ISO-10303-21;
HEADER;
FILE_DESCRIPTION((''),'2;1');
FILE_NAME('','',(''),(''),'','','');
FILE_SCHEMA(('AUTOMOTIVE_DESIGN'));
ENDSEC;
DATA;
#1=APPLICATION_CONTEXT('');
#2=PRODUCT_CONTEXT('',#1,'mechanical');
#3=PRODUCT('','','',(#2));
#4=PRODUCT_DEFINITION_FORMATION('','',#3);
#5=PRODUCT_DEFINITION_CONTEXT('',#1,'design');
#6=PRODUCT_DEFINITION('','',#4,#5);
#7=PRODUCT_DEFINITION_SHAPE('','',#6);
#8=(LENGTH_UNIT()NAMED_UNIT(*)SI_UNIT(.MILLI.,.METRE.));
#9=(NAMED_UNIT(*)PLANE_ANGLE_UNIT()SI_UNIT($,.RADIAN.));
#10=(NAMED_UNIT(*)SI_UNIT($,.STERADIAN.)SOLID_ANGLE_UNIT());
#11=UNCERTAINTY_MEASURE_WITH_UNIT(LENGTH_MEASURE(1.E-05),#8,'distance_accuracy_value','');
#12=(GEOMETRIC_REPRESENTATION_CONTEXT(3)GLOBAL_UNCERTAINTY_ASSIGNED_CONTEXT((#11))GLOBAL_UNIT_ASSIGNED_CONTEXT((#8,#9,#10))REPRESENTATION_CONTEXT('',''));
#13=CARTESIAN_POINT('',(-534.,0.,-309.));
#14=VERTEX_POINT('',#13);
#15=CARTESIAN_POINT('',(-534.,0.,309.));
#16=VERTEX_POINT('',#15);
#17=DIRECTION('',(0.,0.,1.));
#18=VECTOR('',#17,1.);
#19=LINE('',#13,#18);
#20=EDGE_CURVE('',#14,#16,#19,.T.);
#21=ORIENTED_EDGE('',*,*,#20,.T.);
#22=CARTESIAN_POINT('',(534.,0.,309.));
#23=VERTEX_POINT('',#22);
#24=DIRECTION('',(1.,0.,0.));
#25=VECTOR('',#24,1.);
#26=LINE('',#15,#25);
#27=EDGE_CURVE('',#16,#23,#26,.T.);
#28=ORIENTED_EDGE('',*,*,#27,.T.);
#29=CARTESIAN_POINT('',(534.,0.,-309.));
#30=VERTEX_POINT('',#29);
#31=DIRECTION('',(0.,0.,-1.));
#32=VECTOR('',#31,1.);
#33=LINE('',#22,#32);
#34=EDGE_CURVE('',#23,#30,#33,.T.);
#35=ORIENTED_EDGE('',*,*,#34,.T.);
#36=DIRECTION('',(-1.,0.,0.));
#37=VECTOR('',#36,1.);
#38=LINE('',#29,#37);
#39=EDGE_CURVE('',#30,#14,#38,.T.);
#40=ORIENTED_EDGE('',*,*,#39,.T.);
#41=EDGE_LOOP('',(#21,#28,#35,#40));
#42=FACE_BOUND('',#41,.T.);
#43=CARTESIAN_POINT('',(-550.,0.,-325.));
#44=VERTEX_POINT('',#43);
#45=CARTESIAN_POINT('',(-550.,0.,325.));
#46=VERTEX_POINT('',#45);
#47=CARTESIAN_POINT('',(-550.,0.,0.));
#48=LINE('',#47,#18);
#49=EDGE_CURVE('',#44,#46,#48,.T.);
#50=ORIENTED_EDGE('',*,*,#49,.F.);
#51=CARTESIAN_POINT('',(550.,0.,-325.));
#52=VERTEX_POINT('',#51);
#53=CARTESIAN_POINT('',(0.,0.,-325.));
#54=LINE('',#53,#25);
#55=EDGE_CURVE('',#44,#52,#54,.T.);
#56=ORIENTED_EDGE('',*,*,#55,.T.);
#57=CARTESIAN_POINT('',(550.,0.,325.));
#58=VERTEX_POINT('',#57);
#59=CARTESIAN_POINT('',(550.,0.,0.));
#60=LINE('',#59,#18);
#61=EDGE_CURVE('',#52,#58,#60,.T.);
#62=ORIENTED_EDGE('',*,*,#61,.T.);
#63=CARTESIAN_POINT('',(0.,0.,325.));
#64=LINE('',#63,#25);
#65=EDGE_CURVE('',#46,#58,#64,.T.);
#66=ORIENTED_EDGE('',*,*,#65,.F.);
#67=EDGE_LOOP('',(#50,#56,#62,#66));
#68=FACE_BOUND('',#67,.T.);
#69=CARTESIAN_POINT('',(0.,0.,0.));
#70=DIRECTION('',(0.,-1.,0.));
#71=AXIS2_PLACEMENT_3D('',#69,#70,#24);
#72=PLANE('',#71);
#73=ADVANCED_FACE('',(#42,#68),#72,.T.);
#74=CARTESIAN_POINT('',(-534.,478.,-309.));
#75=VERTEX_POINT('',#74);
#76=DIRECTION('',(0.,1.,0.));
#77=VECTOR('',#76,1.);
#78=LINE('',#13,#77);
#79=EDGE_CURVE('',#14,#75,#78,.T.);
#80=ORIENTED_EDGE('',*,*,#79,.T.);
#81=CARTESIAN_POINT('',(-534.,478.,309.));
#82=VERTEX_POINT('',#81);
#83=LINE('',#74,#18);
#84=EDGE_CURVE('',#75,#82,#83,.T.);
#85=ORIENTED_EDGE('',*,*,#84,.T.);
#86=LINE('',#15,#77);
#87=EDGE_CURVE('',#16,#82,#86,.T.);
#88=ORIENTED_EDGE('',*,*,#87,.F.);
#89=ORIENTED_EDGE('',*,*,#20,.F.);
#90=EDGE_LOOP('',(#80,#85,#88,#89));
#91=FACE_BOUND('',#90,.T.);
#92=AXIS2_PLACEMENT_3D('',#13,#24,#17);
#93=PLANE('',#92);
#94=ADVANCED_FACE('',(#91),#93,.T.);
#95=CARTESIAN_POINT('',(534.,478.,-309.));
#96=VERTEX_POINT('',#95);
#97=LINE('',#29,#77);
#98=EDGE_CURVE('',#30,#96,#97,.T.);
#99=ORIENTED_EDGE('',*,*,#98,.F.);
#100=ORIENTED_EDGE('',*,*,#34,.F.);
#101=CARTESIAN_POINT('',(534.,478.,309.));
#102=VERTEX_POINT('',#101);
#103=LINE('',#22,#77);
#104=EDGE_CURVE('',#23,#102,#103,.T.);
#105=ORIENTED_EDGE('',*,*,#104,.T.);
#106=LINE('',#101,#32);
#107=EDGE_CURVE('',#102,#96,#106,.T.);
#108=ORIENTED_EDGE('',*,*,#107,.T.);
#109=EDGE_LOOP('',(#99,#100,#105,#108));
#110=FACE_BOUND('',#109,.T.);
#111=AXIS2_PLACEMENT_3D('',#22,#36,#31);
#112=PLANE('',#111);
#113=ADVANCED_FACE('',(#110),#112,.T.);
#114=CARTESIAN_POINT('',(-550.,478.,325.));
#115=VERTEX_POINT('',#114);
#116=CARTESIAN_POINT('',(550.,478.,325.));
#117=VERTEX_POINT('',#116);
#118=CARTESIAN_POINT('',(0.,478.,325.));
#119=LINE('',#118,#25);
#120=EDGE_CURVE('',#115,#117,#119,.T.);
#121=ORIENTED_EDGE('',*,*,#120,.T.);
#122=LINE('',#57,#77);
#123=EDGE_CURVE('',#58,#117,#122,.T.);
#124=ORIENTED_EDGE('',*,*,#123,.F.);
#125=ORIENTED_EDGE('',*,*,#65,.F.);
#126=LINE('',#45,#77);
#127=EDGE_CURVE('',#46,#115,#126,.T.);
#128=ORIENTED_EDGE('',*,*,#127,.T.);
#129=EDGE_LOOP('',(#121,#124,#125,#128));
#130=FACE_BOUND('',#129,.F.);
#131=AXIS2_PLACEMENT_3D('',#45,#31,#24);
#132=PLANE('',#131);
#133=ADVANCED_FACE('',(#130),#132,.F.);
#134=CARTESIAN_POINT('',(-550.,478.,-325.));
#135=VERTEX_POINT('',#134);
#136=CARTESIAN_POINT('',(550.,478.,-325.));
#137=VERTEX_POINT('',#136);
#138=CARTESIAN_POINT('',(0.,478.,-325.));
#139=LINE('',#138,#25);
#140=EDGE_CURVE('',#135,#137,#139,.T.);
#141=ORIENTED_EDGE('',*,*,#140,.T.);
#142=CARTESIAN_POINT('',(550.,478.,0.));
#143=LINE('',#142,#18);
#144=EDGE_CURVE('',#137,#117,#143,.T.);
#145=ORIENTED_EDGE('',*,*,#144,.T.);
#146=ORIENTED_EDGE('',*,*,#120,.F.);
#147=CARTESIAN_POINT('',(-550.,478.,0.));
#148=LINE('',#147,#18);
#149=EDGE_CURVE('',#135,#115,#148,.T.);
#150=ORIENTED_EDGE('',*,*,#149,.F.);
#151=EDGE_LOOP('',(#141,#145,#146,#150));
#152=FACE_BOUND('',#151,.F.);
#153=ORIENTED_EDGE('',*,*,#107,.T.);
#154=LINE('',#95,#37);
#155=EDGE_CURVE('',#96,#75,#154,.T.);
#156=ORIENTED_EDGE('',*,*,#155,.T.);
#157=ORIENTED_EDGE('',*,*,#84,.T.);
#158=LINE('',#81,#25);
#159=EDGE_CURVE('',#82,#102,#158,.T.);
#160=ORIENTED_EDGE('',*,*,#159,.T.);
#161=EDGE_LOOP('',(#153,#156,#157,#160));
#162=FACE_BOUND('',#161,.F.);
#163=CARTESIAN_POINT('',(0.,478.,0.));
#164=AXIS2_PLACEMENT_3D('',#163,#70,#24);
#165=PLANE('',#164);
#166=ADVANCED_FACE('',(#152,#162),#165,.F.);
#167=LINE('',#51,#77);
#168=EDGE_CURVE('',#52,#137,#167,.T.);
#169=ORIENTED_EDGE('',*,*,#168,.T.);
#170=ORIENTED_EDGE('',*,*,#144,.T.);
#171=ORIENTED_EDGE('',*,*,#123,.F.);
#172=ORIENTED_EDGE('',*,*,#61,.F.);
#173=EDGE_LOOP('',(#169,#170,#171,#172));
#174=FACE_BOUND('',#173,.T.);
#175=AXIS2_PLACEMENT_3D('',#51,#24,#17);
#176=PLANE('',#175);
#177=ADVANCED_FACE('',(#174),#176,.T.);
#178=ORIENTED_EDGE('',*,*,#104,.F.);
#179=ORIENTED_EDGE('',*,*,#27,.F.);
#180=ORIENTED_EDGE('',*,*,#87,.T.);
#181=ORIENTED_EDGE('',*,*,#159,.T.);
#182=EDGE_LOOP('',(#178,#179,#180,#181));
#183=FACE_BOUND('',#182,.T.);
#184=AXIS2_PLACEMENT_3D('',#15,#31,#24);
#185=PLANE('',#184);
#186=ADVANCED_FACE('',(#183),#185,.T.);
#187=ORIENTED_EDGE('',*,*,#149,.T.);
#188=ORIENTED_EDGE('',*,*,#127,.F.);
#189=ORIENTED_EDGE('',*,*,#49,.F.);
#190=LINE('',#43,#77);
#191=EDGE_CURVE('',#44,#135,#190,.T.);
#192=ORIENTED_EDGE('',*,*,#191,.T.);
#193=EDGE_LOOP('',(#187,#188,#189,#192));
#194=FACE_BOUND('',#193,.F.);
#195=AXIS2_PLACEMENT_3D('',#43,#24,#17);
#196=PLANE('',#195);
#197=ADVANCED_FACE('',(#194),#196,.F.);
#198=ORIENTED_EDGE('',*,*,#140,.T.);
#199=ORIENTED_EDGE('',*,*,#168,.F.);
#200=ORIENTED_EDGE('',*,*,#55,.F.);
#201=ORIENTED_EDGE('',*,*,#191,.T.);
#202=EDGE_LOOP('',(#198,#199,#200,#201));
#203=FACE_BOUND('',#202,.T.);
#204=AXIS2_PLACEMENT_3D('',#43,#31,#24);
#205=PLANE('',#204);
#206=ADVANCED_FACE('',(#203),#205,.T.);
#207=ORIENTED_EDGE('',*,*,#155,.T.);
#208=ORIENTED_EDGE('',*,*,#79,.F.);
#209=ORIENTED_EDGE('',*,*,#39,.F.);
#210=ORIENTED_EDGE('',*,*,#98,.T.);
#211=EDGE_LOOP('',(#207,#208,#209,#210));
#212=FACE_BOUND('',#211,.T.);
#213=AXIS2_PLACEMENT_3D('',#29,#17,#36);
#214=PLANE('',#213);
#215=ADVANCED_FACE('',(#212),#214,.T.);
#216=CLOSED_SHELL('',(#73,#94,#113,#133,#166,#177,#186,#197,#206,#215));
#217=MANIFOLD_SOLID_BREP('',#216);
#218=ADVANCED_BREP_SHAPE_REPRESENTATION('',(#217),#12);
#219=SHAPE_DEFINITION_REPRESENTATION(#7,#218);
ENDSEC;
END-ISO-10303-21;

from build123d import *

# Parameters (mm, degrees)
F0_W     = 1100
F0_H     = 650
F1_DEPTH = 478


with BuildPart() as f1:
    # F0 (on Front) → F1 (new body)
    with BuildSketch(Plane.XZ):
        Rectangle(F0_W, F0_H)
        Polygon((-534, 103), (-534, 309), (-234, 309), (-218, 309), (-202, 309), (202, 309), (218, 309), (234, 309), (534, 309), (534, 103), (534, -103), (534, -309), (234, -309), (218, -309), (202, -309), (-202, -309), (-218, -309), (-234, -309), (-534, -309), (-534, -103), align=None, mode=Mode.SUBTRACT)
    extrude(amount=-F1_DEPTH)


solid = f1.part
